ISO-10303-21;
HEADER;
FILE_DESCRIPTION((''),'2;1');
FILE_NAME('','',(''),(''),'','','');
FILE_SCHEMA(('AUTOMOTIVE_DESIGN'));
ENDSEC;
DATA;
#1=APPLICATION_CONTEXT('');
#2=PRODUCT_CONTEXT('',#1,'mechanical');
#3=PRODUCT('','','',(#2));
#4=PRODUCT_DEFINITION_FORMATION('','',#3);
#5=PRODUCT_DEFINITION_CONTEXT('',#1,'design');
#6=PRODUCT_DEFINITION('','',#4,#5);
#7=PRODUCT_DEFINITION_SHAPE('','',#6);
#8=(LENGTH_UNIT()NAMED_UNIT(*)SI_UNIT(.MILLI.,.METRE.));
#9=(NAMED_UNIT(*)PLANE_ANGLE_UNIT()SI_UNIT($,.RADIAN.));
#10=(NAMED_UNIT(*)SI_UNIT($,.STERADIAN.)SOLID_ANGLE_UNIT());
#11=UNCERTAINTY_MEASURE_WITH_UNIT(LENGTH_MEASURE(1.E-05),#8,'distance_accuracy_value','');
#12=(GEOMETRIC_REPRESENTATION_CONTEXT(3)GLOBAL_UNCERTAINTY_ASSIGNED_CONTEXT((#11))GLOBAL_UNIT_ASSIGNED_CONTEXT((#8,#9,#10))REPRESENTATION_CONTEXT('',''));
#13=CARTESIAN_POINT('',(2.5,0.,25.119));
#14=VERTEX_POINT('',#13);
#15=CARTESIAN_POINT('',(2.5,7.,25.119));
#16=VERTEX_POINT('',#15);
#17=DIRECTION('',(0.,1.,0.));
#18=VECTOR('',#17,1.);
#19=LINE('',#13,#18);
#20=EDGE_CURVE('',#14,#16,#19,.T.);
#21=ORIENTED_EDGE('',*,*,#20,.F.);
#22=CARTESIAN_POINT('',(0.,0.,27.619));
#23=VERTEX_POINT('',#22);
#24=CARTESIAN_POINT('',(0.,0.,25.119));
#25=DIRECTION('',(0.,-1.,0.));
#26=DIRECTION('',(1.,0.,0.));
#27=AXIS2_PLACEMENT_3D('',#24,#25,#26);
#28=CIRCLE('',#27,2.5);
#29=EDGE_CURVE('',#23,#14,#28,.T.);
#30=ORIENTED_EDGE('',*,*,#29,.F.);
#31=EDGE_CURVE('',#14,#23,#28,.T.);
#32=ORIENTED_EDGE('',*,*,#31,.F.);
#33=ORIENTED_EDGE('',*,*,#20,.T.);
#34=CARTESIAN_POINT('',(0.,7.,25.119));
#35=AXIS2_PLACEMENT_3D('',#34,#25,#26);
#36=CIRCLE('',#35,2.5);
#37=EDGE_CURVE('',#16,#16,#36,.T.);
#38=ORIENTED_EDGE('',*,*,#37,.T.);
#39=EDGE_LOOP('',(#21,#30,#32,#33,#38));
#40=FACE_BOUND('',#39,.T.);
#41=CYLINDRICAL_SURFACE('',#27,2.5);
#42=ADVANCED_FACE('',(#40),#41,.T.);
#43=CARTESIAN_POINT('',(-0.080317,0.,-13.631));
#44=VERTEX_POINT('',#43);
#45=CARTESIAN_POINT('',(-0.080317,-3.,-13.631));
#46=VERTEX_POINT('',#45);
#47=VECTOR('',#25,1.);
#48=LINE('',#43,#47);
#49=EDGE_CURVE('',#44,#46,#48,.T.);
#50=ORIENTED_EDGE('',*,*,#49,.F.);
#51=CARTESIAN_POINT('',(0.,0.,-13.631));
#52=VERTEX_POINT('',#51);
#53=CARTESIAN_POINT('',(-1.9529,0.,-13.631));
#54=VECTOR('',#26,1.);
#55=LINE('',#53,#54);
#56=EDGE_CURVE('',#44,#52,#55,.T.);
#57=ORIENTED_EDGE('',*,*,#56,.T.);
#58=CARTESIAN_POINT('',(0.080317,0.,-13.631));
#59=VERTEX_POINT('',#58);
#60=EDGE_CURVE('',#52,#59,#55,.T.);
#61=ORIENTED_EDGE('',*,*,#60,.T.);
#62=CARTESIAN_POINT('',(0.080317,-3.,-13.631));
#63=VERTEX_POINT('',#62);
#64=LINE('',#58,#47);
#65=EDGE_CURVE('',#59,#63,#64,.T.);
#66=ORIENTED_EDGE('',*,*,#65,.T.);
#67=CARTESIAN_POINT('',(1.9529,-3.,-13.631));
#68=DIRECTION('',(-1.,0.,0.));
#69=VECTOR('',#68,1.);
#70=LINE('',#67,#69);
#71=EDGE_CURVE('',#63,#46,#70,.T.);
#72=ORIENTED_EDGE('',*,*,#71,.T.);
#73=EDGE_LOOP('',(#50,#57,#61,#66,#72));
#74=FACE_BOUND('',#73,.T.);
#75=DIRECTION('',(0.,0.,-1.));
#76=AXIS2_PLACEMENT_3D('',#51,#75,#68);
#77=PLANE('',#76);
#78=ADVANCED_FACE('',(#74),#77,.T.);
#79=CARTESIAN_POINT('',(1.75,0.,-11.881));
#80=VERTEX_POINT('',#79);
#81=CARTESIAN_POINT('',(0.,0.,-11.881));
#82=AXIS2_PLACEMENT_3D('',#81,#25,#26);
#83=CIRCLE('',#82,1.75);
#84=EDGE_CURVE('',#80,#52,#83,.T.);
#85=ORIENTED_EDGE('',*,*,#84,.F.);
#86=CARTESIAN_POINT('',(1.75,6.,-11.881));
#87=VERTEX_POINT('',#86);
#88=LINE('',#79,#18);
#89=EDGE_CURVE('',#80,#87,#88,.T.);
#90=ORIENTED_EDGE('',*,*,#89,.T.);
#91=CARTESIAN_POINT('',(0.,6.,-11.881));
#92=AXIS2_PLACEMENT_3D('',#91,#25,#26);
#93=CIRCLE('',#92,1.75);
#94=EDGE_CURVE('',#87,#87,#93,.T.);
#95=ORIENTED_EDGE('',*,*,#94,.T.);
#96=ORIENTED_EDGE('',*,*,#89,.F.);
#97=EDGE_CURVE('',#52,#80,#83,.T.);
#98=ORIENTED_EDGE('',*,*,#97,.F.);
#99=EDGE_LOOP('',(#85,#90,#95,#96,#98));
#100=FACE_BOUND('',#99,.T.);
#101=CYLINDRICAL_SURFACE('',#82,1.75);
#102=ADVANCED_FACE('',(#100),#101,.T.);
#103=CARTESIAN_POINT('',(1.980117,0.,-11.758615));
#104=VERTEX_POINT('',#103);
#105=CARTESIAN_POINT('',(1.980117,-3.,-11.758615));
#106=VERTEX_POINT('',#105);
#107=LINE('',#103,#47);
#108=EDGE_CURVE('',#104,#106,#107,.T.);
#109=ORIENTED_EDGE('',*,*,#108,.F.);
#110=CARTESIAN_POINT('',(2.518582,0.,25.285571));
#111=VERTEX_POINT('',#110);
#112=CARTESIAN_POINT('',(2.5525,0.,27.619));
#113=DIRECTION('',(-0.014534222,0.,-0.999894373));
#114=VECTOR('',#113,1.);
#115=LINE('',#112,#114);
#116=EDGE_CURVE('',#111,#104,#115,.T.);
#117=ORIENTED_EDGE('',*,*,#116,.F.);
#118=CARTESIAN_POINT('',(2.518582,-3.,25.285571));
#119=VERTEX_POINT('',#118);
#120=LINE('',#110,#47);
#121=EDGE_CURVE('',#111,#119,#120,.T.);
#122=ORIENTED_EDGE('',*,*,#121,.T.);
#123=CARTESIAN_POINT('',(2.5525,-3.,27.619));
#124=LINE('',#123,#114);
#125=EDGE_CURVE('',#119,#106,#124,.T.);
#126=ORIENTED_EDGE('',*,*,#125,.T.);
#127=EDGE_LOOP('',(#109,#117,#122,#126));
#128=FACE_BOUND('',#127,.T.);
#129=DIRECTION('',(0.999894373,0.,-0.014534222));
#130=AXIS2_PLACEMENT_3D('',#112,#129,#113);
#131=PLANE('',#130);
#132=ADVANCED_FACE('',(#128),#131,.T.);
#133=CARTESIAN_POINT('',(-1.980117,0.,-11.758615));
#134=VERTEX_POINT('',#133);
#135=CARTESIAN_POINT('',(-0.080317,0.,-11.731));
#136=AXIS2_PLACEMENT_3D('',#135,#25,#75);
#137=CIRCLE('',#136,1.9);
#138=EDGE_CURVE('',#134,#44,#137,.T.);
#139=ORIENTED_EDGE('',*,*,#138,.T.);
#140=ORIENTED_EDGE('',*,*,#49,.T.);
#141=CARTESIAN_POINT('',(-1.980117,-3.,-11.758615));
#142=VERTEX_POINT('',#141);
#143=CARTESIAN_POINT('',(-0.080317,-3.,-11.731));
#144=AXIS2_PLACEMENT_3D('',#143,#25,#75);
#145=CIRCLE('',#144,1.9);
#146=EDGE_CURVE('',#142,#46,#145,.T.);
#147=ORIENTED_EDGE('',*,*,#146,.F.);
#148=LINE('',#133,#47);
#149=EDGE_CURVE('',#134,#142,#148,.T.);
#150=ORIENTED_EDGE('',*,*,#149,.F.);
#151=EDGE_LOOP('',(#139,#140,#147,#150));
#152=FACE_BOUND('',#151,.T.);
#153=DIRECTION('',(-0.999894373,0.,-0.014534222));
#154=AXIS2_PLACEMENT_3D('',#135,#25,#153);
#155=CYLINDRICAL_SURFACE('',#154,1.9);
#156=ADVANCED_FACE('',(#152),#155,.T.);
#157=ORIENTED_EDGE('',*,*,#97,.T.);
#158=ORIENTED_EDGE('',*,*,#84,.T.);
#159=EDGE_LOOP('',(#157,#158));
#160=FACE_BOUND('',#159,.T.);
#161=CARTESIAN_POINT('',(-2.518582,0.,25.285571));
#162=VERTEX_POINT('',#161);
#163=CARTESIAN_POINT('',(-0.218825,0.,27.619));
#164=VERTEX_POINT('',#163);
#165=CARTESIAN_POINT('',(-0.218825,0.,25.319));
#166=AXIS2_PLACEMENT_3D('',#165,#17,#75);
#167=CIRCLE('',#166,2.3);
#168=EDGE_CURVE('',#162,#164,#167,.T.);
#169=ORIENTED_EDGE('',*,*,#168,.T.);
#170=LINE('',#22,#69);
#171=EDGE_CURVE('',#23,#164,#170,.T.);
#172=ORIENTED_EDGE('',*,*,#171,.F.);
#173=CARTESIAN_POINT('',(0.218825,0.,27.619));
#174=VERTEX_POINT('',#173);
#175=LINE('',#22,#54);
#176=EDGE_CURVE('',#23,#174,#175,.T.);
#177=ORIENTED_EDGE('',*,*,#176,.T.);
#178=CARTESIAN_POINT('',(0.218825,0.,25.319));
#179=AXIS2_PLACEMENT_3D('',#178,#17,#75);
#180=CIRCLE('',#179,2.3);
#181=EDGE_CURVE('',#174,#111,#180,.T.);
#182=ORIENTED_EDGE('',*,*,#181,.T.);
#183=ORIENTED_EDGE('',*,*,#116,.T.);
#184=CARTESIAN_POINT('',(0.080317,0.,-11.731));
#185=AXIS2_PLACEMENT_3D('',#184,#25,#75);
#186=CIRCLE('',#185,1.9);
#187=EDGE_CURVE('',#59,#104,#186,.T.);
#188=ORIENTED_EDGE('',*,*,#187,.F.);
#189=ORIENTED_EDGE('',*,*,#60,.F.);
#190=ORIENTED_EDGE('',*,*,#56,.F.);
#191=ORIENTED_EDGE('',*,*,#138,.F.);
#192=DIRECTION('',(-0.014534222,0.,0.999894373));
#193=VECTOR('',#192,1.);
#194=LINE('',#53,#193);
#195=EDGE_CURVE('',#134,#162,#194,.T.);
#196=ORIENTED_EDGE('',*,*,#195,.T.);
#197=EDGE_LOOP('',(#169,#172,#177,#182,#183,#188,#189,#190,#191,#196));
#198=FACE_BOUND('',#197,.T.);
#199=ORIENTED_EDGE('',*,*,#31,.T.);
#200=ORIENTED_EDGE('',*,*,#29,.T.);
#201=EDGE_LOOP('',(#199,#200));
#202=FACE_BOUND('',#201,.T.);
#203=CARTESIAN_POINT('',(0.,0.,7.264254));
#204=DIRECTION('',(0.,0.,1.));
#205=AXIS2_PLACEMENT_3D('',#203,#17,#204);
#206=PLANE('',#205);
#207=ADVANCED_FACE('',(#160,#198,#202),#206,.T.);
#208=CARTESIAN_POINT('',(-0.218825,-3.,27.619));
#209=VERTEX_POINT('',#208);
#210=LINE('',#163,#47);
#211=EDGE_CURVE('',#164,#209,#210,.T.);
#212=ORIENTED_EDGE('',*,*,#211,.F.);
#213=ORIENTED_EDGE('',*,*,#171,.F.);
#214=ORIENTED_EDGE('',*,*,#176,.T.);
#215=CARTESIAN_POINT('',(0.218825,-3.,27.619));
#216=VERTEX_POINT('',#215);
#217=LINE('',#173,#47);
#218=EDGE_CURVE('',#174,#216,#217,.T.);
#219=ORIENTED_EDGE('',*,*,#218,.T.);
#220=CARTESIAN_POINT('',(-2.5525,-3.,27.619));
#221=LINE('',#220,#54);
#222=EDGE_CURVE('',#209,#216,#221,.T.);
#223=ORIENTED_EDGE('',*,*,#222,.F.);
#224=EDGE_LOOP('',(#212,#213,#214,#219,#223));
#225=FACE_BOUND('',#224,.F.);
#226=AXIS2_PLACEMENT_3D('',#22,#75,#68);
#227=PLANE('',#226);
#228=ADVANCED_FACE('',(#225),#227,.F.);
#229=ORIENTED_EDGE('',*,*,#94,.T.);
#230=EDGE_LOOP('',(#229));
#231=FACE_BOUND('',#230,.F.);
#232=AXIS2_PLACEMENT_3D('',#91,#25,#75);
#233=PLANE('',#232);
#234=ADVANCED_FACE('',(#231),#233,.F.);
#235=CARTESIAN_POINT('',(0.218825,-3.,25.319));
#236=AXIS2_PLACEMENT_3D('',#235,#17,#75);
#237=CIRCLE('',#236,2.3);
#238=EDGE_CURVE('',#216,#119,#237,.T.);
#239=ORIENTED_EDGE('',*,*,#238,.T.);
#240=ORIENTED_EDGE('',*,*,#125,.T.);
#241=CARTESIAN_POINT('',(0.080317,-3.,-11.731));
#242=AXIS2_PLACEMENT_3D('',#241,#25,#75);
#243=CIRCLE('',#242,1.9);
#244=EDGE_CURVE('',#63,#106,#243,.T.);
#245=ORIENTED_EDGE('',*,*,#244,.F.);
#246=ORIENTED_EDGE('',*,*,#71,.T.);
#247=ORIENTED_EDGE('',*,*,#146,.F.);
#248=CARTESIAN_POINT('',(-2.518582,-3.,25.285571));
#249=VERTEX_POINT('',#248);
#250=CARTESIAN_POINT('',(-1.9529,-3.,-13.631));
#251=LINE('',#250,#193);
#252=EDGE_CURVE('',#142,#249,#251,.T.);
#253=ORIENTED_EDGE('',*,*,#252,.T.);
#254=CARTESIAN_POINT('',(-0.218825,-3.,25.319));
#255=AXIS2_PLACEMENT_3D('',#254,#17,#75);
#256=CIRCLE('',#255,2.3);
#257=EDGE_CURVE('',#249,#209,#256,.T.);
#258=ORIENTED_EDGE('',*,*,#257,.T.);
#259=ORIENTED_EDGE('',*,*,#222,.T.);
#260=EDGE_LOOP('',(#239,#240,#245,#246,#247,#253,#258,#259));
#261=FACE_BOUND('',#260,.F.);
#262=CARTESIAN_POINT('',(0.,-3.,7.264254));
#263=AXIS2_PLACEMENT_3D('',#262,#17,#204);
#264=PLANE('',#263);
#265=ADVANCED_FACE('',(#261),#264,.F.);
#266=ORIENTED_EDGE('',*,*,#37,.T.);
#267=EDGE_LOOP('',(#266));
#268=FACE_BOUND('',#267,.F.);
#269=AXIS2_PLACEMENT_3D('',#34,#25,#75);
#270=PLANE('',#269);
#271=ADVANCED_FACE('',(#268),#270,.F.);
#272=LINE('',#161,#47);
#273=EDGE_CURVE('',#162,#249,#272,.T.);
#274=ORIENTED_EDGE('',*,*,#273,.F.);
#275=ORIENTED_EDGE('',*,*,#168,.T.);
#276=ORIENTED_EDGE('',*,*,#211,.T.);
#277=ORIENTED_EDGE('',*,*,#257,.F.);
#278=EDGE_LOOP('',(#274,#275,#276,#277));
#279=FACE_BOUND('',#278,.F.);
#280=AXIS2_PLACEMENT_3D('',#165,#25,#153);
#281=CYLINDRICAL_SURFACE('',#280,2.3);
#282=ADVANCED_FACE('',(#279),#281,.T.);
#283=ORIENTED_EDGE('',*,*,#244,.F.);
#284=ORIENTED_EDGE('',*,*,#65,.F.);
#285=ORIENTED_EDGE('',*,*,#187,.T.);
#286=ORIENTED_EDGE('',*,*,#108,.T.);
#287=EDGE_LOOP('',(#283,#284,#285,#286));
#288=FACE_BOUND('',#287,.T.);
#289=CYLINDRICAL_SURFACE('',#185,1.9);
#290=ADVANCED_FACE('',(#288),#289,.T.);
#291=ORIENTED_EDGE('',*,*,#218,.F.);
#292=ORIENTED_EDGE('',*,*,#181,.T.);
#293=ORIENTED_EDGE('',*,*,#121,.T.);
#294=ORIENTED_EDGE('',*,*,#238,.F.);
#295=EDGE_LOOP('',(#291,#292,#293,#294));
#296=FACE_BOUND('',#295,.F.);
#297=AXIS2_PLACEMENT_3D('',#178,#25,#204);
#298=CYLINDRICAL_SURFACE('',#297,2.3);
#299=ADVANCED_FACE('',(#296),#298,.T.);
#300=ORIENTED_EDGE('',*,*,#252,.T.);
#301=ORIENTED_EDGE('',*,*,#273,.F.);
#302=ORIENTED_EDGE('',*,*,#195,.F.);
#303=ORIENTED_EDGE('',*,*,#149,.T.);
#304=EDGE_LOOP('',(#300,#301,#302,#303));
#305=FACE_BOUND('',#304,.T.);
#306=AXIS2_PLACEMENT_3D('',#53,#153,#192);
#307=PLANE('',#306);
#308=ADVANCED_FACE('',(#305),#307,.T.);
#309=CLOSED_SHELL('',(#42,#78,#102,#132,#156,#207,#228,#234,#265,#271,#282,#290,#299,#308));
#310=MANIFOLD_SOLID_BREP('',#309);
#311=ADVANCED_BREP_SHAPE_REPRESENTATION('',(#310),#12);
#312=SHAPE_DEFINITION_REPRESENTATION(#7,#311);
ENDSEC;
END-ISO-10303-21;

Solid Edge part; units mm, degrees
sketch "Sketch1" plane through (0, 0, 0) normal (0, -1, 0) x (1, 0, 0)
  line L0 (-1.9529, -13.631) -> (-2.5525, 27.619)
  line L1 (0, 27.619) -> (-2.5525, 27.619)
  line L2 (0, 27.619) -> (2.5525, 27.619)
  line L3 (2.5525, 27.619) -> (1.9529, -13.631)
  line L4 (0, -13.631) -> (1.9529, -13.631)
  line L5 (0, -13.631) -> (-1.9529, -13.631)
extrude "ExtrudedProtrusion_1" add sketch "Sketch1" along normal blind 3
sketch "Sketch2" plane through (0, 0, 0) normal (0, -1, 0) x (1, 0, 0)
  circle A0 centre (0, 25.119) radius 2.5
extrude "Protusion_2" add sketch "Sketch2" against normal blind 7
sketch "Sketch3" plane through (0, 0, 0) normal (0, -1, 0) x (1, 0, 0)
  circle A0 centre (0, -11.881) radius 1.75
extrude "ExtrudedProtrusion_3" add sketch "Sketch3" against normal blind 6
fillet "Round1" radius 2.3 2 edges at (2.5525, -1.5, 27.619) (-2.5525, -1.5, 27.619)
fillet "Round_2" radius 1.9 2 edges at (1.9529, -1.5, -13.631) (-1.9529, -1.5, -13.631)
